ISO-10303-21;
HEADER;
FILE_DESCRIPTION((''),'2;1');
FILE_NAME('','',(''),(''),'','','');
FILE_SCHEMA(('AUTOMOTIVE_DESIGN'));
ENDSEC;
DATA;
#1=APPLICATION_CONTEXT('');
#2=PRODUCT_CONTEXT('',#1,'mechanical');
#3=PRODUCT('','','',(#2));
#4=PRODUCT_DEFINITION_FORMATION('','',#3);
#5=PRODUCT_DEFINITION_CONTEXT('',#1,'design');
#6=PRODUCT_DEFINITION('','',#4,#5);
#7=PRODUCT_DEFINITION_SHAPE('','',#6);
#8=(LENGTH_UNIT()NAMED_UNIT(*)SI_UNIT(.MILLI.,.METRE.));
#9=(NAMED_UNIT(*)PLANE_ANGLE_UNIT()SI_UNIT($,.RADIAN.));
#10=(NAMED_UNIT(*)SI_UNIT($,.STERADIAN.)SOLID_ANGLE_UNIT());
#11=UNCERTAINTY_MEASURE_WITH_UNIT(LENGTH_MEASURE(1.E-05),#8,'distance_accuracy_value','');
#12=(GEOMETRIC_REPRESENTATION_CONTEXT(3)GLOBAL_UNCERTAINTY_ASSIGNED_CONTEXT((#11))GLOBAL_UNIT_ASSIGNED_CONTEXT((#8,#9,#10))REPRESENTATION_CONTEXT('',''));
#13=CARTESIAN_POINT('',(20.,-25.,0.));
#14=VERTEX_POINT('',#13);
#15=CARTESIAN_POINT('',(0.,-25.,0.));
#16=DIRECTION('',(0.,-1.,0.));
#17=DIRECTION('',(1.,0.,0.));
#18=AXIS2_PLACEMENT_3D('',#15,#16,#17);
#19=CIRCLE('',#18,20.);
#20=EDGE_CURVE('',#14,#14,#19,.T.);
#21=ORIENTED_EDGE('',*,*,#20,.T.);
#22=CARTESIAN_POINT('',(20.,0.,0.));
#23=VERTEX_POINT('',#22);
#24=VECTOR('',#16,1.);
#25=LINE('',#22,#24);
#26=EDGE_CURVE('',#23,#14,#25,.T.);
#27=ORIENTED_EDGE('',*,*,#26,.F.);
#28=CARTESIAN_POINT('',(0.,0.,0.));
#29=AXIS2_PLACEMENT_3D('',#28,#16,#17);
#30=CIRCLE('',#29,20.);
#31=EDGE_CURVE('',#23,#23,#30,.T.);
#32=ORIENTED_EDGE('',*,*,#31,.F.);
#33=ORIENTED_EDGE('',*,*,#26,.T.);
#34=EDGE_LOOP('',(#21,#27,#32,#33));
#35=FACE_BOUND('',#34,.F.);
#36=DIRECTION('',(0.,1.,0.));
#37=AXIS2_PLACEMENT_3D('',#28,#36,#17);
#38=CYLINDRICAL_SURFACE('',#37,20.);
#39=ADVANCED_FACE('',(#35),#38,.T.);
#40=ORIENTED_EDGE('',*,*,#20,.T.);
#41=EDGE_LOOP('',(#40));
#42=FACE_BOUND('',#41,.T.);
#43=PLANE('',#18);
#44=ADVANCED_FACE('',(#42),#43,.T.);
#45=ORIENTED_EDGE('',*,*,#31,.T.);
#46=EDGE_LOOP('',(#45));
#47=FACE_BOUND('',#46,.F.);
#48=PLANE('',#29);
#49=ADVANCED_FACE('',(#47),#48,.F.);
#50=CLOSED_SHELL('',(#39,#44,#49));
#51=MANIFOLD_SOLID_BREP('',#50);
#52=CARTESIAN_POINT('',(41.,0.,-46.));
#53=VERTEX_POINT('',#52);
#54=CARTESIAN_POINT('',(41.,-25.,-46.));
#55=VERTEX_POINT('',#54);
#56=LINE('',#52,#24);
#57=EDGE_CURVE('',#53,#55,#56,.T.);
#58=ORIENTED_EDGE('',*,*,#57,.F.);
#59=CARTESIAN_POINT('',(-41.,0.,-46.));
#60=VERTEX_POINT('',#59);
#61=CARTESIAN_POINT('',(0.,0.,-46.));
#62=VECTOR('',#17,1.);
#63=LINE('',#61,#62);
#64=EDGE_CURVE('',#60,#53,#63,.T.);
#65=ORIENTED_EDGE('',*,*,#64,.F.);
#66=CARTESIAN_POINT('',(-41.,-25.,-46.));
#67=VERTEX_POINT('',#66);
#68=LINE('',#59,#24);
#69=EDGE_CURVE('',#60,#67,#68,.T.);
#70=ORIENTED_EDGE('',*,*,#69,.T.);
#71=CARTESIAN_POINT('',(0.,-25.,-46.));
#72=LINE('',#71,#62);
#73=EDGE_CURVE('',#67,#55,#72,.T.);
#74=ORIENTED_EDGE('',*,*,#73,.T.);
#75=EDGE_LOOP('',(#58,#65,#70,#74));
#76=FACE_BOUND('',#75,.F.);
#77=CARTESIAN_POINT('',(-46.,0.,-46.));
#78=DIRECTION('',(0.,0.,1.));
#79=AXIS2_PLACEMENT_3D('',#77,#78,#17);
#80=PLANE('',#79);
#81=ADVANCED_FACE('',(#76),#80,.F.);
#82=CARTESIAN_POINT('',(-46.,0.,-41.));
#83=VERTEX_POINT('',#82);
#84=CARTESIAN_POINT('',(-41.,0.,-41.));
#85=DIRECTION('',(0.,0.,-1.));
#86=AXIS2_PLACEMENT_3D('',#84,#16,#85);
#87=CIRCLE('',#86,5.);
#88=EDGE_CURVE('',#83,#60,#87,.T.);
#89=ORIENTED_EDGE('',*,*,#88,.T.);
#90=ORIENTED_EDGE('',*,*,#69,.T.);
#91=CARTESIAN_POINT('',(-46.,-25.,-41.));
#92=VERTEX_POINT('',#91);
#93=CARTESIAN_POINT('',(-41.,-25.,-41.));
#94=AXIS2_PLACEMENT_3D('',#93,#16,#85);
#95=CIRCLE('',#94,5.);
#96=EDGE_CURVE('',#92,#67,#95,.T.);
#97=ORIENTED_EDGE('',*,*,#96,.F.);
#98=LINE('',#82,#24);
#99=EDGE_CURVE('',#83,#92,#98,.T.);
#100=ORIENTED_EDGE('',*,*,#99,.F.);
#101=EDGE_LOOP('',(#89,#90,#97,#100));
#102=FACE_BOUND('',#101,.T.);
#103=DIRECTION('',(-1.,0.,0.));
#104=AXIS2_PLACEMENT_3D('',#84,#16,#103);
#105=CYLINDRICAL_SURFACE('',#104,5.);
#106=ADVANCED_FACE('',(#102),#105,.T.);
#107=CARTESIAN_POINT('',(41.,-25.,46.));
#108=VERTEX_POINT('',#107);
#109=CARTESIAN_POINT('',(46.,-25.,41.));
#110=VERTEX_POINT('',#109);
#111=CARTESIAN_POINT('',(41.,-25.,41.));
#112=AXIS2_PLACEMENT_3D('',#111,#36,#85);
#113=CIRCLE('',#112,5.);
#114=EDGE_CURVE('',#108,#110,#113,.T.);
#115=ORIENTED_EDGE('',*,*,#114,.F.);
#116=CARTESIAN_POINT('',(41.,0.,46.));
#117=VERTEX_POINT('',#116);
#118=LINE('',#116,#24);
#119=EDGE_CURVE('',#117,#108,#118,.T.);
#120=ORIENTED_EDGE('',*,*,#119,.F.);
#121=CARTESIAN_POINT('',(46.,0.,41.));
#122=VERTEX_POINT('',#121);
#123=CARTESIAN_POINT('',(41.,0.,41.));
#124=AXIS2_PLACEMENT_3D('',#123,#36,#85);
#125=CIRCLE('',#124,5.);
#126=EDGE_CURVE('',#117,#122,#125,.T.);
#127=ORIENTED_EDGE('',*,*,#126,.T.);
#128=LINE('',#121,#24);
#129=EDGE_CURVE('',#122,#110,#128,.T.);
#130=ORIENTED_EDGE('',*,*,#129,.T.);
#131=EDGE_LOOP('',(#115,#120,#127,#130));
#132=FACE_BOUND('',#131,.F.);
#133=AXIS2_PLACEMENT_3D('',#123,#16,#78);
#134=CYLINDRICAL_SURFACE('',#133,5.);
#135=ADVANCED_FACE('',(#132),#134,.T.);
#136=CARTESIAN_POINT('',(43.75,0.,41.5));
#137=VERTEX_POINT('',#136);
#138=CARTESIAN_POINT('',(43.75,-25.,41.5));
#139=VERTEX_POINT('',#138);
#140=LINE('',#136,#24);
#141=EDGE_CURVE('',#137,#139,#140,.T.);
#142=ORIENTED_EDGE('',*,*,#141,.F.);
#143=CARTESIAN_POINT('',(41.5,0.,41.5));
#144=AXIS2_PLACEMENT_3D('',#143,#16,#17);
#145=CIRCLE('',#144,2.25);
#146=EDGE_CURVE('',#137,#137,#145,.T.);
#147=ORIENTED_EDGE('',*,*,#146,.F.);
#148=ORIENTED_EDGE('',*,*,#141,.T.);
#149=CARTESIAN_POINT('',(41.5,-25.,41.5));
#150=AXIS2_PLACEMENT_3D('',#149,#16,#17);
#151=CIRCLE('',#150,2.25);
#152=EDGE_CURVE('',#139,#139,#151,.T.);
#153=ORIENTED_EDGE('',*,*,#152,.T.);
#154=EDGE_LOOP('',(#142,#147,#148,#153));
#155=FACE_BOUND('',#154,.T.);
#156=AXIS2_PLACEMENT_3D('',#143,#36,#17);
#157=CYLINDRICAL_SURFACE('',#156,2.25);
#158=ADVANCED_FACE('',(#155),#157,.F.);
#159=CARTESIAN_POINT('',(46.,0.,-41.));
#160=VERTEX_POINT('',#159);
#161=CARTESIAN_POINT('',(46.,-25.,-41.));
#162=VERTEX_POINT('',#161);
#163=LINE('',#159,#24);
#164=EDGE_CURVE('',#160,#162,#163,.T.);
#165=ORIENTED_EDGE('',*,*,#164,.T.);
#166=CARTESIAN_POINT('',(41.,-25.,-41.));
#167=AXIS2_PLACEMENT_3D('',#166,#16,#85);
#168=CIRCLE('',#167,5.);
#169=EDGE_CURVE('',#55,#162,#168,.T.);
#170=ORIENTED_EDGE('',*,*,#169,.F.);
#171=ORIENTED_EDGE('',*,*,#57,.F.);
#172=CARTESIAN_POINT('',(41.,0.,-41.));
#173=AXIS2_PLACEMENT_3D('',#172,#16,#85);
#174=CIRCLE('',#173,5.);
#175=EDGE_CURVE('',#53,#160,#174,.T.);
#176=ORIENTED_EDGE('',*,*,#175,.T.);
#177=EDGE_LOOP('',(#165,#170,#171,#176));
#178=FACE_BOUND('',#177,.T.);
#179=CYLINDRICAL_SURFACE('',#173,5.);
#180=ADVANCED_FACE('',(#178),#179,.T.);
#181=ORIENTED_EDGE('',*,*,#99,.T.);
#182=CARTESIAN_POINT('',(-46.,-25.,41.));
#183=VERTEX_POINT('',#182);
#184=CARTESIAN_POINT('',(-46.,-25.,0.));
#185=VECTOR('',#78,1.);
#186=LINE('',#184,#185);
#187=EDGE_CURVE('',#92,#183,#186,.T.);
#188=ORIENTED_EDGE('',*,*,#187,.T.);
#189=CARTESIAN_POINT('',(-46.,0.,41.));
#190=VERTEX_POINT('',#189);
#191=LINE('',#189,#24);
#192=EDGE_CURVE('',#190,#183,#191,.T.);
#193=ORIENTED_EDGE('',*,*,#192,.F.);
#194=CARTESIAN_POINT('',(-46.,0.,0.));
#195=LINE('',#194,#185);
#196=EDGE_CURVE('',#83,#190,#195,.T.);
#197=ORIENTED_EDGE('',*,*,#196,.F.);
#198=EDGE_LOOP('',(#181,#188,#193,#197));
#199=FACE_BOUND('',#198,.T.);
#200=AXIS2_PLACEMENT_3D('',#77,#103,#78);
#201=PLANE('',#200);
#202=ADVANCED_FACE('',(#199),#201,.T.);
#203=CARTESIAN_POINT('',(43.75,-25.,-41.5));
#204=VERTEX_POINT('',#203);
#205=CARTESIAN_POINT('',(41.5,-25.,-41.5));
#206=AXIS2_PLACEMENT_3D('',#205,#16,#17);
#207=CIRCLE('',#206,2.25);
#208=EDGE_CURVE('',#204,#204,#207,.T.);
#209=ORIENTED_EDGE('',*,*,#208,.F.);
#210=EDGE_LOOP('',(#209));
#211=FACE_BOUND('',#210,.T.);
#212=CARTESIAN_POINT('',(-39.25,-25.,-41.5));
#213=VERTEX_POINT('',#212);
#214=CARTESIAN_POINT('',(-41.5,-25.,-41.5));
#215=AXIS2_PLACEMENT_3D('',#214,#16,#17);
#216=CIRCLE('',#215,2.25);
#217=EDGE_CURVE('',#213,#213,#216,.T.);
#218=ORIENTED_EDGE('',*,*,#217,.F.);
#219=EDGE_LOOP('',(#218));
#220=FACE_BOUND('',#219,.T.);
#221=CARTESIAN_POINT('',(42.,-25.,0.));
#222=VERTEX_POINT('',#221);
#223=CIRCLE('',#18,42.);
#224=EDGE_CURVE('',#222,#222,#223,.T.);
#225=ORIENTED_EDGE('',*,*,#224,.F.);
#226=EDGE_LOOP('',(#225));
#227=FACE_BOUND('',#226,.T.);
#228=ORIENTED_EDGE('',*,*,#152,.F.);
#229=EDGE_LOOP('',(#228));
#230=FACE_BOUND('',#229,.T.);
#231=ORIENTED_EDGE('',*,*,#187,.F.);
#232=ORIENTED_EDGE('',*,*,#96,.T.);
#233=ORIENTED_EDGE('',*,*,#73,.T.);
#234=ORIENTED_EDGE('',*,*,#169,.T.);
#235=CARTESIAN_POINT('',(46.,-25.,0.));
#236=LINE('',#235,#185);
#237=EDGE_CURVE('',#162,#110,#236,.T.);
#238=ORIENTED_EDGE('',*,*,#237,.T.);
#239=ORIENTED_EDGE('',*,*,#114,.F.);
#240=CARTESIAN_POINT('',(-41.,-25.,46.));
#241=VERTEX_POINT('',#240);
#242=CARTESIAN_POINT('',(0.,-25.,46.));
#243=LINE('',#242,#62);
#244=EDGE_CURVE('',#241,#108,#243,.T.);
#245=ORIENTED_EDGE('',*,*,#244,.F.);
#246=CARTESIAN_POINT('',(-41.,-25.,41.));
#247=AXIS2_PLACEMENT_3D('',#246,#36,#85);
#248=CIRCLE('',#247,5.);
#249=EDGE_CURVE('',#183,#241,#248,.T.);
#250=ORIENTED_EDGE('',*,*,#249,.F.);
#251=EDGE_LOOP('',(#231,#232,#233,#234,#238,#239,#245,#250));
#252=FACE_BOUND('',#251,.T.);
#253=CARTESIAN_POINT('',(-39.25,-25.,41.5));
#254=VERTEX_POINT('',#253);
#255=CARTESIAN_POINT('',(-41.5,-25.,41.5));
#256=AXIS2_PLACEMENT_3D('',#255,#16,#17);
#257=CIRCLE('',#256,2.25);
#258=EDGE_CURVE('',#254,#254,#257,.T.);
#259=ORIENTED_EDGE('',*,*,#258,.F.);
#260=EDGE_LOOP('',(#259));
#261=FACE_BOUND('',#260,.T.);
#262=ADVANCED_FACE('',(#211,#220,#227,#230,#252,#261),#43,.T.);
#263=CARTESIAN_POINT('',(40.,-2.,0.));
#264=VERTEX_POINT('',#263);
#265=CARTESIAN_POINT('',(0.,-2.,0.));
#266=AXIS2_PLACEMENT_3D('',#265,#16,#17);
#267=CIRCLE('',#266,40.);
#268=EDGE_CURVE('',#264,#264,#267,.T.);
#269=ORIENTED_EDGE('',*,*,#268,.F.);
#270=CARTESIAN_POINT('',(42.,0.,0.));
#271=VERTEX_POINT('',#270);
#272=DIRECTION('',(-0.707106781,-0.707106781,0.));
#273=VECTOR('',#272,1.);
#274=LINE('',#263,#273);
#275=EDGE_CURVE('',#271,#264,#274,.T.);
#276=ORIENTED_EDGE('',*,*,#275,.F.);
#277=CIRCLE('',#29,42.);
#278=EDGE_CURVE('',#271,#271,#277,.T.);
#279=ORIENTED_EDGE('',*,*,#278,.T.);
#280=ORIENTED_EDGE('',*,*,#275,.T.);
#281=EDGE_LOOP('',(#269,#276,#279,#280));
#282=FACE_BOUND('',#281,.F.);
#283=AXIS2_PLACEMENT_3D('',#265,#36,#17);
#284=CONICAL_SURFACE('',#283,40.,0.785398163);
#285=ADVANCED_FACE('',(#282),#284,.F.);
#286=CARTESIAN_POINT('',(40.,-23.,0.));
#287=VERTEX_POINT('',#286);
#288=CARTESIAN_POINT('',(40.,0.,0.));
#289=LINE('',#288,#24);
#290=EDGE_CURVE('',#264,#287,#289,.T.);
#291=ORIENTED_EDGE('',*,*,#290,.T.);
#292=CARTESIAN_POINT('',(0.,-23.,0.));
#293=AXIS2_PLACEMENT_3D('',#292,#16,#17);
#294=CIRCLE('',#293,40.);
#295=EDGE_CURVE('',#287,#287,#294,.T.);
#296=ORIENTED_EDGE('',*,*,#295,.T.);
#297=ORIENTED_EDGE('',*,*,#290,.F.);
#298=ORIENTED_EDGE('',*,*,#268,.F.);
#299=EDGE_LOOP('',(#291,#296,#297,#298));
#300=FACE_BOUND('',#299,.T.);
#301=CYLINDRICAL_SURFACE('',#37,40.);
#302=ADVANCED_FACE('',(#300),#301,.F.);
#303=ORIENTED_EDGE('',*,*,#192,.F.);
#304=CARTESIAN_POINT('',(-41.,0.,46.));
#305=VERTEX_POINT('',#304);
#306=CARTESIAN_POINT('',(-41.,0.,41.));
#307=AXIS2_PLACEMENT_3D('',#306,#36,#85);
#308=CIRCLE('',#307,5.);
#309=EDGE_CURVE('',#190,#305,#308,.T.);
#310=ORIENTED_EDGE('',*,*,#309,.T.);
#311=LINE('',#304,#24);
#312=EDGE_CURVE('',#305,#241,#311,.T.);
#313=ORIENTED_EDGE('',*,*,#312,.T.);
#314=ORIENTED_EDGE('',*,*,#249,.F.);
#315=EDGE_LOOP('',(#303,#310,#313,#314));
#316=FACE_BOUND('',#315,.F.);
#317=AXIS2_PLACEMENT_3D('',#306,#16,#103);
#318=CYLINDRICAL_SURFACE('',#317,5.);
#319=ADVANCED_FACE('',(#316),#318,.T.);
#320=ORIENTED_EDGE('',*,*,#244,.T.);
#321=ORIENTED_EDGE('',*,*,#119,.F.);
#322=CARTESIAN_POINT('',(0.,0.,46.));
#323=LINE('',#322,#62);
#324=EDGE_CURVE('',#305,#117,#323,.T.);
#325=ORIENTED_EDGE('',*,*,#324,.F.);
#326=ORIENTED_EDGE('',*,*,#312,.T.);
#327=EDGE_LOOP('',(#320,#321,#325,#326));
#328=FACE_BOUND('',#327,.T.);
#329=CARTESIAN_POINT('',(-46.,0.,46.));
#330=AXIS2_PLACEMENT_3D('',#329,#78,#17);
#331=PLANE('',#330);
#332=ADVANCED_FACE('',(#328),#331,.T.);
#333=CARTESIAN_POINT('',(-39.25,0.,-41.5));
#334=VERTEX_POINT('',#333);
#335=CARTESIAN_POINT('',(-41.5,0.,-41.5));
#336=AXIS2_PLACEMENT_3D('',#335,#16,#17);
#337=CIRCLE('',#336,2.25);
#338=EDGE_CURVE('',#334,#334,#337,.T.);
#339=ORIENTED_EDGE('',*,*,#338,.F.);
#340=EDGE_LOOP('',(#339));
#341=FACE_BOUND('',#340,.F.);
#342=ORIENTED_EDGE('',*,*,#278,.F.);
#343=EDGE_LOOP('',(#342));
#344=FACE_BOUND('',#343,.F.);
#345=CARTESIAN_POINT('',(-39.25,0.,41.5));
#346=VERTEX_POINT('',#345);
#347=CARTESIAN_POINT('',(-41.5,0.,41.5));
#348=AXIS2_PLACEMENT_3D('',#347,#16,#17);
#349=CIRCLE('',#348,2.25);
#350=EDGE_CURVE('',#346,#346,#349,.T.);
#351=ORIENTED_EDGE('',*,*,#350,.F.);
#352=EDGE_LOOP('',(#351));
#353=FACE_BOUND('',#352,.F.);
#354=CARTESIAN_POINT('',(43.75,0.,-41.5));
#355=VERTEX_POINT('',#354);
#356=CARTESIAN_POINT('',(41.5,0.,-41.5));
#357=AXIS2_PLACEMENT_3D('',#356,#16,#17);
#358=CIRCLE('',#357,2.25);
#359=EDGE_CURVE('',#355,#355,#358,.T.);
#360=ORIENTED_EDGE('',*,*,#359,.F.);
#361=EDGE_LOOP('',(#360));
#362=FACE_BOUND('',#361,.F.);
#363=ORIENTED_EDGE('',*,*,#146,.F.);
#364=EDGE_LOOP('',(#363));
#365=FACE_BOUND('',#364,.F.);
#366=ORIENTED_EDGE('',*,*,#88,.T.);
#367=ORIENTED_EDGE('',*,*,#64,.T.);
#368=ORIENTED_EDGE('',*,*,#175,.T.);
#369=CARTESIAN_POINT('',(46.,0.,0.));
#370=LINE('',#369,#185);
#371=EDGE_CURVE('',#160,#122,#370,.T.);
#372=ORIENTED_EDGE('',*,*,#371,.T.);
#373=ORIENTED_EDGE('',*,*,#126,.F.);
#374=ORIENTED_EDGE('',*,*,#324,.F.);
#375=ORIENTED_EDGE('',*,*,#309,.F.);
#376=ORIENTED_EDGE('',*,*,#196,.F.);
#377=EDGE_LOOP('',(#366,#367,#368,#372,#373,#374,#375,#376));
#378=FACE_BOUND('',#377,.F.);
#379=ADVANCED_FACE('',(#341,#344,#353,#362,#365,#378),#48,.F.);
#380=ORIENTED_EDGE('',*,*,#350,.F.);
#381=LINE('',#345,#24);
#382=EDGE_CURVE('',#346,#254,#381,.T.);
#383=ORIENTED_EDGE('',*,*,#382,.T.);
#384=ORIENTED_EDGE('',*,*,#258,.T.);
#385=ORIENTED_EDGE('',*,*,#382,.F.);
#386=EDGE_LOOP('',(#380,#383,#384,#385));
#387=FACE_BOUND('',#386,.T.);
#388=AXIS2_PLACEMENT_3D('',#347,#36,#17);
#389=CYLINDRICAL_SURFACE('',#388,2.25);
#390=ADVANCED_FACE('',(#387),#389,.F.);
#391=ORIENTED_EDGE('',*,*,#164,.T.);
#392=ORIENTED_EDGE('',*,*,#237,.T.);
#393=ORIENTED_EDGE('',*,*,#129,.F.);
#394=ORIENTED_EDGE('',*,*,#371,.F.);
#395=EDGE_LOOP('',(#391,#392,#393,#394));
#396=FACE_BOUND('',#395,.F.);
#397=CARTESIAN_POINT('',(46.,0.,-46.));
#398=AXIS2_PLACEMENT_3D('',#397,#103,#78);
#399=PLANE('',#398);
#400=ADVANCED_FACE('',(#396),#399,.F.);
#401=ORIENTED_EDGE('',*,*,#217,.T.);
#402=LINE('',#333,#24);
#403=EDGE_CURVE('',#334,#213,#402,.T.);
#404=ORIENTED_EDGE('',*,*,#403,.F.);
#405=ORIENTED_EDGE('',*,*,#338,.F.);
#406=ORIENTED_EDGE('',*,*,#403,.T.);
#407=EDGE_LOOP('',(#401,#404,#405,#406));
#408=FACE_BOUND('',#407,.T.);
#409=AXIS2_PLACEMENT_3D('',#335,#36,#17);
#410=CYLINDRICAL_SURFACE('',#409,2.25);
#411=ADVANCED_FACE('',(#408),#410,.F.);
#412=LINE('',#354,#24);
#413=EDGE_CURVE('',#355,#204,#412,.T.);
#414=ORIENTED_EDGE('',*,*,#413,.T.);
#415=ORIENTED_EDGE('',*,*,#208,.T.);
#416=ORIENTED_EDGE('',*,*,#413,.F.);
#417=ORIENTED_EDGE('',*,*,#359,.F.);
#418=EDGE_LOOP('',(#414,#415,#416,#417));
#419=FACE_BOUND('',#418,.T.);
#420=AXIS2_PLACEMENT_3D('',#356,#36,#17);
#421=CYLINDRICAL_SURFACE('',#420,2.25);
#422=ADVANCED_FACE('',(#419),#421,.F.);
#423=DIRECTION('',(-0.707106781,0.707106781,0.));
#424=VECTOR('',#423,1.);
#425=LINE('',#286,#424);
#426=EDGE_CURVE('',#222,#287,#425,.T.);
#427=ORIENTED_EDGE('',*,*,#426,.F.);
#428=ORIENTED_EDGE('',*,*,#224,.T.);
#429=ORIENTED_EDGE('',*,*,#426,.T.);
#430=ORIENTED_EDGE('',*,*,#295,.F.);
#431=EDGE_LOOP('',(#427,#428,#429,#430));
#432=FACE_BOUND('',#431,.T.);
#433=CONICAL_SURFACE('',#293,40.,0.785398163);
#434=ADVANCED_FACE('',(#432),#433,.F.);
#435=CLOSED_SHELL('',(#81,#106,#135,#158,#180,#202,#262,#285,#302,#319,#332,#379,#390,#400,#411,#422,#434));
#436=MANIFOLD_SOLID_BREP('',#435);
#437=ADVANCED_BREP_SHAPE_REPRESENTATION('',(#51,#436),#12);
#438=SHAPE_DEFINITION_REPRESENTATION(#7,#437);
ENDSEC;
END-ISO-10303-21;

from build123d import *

# Parameters (mm, degrees)
F0_W     = 92
F0_H     = 92
F0_R     = 2.25
F0_R_2   = 40
F0_R_3   = 20
F1_DEPTH = 25
F2_R     = 5
F3_SIZE  = 2


with BuildPart() as f1:
    # F0 (on Front) → F1 (new body)
    with BuildSketch(Plane.XZ):
        Rectangle(F0_W, F0_H)
        with Locations((-41.5, -41.5)):
            Circle(F0_R, mode=Mode.SUBTRACT)
        with Locations((41.5, -41.5)):
            Circle(F0_R, mode=Mode.SUBTRACT)
        with Locations((-41.5, 41.5)):
            Circle(F0_R, mode=Mode.SUBTRACT)
        Circle(F0_R_2, mode=Mode.SUBTRACT)
        with Locations((41.5, 41.5)):
            Circle(F0_R, mode=Mode.SUBTRACT)
        Circle(F0_R_3)
    extrude(amount=F1_DEPTH)

    # F2
    f2_edges = [f1.edges().sort_by_distance(p)[0] for p in [
        (46, -12.5, 46),
        (-46, -12.5, 46),
        (46, -12.5, -46),
        (-46, -12.5, -46),
    ]]
    fillet(f2_edges, radius=F2_R)

    # F3
    f3_edges = [f1.edges().sort_by_distance(p)[0] for p in [
        (-40, -25, 0),
        (-40, 0, 0),
    ]]
    chamfer(f3_edges, length=F3_SIZE)


solid = f1.part
